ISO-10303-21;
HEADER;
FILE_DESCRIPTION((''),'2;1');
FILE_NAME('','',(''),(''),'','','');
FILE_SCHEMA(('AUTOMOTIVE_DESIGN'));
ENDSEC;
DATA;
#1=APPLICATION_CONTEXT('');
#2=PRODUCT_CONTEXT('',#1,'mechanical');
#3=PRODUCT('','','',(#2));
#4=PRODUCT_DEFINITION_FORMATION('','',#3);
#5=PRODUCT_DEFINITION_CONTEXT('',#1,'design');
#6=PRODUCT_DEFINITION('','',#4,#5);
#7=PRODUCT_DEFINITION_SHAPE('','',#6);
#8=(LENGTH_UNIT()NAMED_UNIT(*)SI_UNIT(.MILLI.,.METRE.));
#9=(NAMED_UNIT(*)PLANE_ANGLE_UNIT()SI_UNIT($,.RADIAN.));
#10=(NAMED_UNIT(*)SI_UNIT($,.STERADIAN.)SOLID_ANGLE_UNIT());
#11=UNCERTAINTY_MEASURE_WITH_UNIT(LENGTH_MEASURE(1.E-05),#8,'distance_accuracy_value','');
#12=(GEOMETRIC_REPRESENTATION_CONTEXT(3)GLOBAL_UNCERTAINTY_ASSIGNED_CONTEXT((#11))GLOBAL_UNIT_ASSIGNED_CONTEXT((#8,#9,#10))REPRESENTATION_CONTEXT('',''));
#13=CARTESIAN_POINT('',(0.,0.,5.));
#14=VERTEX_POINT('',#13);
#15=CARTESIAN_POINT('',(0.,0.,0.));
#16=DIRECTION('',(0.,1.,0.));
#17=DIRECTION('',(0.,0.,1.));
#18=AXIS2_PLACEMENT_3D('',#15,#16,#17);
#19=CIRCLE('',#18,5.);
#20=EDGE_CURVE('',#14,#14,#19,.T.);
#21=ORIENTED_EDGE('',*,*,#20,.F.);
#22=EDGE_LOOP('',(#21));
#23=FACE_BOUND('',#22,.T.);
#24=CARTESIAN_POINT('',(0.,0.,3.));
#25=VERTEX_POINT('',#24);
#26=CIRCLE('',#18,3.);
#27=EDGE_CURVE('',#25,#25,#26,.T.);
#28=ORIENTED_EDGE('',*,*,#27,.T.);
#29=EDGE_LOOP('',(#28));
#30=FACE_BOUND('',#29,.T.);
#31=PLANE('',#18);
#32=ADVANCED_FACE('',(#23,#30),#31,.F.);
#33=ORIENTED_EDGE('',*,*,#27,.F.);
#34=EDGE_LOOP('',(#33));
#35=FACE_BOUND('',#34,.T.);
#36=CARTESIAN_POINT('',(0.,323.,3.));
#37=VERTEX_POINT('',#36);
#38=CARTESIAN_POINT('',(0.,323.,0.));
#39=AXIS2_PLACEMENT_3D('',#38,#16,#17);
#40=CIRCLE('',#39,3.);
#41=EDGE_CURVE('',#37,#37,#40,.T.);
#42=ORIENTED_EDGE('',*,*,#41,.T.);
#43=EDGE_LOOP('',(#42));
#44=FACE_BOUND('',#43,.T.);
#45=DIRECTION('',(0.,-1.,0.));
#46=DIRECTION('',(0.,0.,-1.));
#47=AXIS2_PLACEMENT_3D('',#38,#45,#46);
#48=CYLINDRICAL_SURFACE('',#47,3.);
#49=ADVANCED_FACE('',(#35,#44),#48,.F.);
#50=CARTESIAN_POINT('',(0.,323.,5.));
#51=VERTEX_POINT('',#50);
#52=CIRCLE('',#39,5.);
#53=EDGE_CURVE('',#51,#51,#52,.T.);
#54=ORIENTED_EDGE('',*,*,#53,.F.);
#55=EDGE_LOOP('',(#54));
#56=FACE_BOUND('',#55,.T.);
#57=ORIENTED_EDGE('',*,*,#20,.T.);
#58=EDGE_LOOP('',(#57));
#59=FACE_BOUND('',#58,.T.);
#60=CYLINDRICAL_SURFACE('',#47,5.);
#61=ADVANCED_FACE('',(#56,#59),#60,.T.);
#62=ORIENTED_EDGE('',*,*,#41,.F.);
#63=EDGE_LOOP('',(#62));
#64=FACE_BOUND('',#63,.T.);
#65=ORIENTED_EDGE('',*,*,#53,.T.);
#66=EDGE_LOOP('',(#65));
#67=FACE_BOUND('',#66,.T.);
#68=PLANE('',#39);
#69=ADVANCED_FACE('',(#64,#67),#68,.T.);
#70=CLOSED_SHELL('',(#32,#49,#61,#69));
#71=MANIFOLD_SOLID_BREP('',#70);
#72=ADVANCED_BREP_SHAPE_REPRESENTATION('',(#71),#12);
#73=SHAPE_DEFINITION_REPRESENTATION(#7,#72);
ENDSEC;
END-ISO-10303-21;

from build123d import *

# Parameters (mm, degrees)
SKETCH_1_R      = 5
SKETCH_1_R_2    = 3
EXTRUDE_1_DEPTH = 323


with BuildPart() as part:
    # 草图1 → 凸台-拉伸1 (new body)
    with BuildSketch(Plane(origin=(0, 0, 0), x_dir=(1, 0, 0), z_dir=(0, 1, 0))):
        Circle(SKETCH_1_R)
        Circle(SKETCH_1_R_2, mode=Mode.SUBTRACT)
    extrude(amount=EXTRUDE_1_DEPTH)


solid = part.part
